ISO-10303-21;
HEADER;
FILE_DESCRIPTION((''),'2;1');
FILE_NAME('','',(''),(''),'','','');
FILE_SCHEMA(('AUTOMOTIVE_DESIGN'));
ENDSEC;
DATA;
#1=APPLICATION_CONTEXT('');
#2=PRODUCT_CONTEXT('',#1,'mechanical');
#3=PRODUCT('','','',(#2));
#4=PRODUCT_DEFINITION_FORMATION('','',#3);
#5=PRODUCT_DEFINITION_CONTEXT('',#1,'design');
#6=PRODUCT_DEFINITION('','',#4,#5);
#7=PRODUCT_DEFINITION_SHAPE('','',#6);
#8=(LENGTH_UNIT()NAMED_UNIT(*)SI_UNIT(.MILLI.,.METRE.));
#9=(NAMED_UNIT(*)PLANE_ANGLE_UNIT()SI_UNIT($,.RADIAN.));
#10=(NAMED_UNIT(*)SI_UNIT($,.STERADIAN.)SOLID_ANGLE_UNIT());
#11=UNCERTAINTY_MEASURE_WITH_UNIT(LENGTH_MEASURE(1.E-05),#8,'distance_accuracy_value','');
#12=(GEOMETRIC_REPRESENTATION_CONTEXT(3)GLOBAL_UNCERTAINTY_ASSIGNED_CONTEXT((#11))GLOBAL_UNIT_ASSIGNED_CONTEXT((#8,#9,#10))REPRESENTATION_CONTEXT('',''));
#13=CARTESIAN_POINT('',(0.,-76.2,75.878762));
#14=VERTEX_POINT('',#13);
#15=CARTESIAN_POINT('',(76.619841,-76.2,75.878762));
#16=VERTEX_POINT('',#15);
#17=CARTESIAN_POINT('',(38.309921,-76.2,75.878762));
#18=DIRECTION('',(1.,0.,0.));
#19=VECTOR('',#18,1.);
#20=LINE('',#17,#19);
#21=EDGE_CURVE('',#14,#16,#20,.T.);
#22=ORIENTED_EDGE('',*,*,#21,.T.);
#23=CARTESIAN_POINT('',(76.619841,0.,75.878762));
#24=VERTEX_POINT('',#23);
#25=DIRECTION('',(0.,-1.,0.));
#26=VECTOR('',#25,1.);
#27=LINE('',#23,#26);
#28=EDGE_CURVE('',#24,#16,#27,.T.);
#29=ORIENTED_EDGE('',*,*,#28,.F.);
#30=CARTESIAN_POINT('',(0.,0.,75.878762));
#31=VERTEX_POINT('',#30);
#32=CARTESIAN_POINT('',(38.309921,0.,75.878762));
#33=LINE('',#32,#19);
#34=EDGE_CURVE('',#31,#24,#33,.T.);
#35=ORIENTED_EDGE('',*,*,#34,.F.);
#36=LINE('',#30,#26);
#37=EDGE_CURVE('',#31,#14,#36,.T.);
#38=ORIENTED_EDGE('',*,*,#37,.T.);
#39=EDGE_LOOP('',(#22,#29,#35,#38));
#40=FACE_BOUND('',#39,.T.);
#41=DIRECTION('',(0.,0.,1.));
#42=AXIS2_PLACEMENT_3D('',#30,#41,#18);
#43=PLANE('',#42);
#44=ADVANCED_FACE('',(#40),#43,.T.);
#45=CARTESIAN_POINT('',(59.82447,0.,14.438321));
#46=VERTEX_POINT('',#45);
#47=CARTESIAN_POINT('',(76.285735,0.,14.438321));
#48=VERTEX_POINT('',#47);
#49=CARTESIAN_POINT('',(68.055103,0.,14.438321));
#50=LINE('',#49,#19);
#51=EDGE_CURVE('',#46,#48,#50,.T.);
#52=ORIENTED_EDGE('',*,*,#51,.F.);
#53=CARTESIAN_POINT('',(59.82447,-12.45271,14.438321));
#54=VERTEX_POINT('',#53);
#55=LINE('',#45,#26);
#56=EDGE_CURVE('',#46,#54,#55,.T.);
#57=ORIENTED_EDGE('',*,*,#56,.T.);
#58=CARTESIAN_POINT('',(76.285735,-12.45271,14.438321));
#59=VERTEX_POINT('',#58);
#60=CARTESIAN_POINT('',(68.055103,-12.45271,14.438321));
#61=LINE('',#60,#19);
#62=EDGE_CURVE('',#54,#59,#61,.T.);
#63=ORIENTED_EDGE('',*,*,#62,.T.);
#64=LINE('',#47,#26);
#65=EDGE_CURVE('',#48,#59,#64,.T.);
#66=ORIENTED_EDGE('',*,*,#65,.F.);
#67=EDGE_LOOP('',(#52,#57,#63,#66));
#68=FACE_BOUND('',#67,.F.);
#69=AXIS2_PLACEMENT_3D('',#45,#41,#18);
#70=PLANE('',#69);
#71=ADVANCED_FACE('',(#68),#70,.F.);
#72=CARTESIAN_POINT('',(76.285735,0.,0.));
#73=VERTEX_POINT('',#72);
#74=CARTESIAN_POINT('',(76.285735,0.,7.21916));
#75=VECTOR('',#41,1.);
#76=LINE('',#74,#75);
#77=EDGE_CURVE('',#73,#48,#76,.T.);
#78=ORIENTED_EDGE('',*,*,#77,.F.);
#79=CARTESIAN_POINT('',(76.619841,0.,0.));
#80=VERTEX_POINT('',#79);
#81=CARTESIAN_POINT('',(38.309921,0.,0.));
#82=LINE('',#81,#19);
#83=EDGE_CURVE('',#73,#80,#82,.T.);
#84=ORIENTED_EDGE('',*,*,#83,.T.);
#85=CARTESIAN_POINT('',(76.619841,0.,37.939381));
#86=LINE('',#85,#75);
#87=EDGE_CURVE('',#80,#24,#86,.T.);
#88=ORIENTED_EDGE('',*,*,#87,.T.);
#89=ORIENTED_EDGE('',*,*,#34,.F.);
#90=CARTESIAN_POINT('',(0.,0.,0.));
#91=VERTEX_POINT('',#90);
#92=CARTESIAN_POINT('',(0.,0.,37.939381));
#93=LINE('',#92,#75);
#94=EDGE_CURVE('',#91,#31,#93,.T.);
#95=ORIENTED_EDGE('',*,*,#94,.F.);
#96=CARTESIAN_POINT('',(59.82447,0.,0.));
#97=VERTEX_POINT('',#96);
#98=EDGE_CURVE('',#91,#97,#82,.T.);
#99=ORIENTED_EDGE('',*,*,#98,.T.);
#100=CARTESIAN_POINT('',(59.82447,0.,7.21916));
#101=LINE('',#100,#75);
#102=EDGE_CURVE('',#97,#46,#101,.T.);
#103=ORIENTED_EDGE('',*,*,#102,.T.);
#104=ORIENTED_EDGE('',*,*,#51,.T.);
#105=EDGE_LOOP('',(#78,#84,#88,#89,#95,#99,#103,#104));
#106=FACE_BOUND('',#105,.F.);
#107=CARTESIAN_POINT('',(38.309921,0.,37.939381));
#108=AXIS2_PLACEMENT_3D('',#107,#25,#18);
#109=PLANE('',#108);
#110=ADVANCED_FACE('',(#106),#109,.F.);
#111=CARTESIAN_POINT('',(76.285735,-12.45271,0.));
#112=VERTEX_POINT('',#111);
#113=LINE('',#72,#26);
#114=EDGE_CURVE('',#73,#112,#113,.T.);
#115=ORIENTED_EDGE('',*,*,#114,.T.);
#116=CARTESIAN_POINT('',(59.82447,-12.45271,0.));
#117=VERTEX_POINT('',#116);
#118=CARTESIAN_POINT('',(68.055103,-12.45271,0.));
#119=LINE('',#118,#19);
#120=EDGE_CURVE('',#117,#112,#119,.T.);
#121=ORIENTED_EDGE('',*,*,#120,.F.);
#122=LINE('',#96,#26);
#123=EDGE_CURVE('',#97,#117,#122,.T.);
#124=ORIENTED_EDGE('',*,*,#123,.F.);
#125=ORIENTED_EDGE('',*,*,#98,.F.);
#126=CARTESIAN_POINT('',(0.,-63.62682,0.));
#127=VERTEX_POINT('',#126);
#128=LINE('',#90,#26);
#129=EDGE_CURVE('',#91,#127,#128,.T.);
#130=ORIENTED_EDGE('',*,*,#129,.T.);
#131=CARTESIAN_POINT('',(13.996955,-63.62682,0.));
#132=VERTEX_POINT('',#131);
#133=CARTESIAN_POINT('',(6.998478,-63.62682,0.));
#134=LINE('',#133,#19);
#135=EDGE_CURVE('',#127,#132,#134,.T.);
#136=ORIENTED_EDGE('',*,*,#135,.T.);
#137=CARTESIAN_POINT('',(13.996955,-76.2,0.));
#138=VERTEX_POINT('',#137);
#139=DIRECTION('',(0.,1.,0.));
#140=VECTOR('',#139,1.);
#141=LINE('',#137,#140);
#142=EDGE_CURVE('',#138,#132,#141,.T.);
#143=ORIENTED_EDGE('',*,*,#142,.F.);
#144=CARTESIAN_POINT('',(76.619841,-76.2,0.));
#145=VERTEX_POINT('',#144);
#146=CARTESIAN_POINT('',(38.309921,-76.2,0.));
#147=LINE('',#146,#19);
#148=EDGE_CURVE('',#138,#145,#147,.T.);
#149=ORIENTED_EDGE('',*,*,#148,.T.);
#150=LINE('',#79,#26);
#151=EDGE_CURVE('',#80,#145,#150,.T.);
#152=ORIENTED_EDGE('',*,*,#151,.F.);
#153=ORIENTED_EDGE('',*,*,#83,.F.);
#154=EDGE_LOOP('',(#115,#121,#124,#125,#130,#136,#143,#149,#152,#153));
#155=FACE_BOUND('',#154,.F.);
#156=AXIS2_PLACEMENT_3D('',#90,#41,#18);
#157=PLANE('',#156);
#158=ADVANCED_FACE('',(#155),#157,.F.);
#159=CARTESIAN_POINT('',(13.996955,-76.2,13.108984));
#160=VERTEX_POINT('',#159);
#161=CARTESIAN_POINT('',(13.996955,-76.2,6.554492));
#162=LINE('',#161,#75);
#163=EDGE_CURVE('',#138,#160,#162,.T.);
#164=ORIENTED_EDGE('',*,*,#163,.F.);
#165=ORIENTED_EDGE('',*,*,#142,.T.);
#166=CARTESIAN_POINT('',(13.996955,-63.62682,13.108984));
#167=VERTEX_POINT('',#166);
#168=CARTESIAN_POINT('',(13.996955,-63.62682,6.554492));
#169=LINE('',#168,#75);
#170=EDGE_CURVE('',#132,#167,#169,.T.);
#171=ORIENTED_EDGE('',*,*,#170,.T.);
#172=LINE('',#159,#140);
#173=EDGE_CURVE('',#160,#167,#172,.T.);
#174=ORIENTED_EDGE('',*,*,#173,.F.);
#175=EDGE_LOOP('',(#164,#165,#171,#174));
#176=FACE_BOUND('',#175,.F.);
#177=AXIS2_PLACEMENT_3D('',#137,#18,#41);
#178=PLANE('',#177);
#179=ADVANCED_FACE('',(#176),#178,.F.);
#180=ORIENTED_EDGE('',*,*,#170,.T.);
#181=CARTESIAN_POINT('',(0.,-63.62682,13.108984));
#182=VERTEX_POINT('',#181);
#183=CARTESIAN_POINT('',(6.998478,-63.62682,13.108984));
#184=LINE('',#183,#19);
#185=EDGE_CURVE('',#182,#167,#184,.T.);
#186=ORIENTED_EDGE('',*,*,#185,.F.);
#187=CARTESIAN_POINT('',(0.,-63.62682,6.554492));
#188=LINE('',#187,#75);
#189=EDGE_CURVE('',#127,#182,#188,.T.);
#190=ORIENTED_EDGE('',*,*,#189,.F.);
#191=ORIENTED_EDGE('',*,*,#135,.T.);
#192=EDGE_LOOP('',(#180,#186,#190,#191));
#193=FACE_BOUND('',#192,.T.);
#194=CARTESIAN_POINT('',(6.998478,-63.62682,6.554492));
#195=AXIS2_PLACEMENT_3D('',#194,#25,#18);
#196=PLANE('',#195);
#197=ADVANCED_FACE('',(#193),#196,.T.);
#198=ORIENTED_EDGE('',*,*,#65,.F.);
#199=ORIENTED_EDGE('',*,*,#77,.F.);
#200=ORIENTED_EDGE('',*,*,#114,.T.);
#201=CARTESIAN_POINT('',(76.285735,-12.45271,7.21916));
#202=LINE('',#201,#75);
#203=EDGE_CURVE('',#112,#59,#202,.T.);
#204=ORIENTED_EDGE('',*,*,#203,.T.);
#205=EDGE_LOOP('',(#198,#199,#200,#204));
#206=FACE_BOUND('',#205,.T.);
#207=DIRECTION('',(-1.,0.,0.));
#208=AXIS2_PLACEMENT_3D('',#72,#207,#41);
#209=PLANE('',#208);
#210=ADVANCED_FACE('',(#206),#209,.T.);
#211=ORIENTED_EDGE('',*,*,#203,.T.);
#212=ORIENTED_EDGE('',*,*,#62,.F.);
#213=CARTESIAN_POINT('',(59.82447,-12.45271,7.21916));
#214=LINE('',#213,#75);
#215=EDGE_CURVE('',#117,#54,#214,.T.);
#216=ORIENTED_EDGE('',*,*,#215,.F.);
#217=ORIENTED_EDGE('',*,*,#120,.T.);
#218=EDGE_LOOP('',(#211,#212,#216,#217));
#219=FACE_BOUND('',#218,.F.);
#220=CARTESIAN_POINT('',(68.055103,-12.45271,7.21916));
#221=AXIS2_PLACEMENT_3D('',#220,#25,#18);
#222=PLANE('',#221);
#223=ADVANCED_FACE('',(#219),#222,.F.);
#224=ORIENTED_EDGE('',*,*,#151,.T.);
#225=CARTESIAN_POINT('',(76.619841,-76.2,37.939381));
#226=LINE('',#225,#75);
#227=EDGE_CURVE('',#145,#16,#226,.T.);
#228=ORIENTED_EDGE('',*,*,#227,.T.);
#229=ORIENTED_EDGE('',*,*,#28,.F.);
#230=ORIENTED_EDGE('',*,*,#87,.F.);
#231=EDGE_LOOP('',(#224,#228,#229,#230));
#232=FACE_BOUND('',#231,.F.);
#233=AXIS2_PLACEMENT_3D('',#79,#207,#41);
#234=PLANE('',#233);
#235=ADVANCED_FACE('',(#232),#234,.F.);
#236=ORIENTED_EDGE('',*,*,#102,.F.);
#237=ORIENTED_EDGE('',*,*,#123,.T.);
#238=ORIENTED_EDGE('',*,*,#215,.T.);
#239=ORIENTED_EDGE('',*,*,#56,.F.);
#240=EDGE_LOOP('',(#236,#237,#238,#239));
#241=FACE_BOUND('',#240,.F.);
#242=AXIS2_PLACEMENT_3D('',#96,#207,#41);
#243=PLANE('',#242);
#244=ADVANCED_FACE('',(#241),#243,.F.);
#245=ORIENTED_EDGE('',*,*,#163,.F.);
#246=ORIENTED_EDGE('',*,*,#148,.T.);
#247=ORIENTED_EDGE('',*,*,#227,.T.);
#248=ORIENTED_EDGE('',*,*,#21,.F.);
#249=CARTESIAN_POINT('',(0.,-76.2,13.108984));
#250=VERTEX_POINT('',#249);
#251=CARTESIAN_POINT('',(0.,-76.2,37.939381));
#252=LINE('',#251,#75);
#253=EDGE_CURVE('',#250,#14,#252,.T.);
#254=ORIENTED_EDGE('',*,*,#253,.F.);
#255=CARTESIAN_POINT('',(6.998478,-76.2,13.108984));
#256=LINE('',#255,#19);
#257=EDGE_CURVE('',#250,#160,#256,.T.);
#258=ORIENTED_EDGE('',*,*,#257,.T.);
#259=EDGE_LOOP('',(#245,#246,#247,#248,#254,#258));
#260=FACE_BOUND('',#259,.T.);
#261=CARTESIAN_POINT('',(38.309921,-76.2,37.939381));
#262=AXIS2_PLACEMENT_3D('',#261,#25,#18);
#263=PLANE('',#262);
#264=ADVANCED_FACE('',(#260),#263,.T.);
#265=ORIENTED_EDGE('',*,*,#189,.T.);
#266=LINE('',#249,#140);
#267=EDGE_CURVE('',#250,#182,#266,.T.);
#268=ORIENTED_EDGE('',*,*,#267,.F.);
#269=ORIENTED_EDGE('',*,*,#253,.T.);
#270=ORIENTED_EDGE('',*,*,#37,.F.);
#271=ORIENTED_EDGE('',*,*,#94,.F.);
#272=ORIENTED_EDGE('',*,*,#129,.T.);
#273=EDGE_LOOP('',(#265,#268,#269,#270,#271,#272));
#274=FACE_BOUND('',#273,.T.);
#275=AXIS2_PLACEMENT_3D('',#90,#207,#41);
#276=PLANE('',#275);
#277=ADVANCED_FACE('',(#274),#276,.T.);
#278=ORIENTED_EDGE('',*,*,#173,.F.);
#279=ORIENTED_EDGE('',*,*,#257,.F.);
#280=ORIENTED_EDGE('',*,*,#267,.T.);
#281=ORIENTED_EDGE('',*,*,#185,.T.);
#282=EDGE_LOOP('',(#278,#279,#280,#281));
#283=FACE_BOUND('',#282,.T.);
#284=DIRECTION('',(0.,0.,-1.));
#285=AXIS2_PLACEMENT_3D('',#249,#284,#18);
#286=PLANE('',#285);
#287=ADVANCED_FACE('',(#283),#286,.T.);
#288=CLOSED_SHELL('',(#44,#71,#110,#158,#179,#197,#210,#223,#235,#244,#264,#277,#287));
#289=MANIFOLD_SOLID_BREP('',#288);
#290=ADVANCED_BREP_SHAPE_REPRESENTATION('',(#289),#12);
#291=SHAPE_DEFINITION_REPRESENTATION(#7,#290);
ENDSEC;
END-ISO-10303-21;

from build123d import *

# Parameters (mm, degrees)
F0_W     = 76.6198411584
F0_H     = 75.8787617087
F1_DEPTH = 76.2
F2_W     = 13.9969550073
F2_H     = 13.1089836359
F3_DEPTH = 12.57318
F4_W     = 16.4612643421
F4_H     = 14.4383208826
F5_DEPTH = 12.45271


with BuildPart() as f1:
    # F0 (on Front) → F1 (new body)
    with BuildSketch(Plane.XZ):
        with Locations((38.3099205792, 37.9393808544)):
            Rectangle(F0_W, F0_H)
    extrude(amount=F1_DEPTH)

    # F2 (on face) → F3 (cut)
    with BuildSketch(Plane.XZ.offset(76.2)):
        with Locations((6.9984775037, 6.554491818)):
            Rectangle(F2_W, F2_H)
    extrude(amount=-F3_DEPTH, mode=Mode.SUBTRACT)

    # F4 (on Front) → F5 (cut)
    with BuildSketch(Plane.XZ):
        with Locations((68.0551026016, 7.2191604413)):
            Rectangle(F4_W, F4_H)
    extrude(amount=F5_DEPTH, mode=Mode.SUBTRACT)


solid = f1.part
